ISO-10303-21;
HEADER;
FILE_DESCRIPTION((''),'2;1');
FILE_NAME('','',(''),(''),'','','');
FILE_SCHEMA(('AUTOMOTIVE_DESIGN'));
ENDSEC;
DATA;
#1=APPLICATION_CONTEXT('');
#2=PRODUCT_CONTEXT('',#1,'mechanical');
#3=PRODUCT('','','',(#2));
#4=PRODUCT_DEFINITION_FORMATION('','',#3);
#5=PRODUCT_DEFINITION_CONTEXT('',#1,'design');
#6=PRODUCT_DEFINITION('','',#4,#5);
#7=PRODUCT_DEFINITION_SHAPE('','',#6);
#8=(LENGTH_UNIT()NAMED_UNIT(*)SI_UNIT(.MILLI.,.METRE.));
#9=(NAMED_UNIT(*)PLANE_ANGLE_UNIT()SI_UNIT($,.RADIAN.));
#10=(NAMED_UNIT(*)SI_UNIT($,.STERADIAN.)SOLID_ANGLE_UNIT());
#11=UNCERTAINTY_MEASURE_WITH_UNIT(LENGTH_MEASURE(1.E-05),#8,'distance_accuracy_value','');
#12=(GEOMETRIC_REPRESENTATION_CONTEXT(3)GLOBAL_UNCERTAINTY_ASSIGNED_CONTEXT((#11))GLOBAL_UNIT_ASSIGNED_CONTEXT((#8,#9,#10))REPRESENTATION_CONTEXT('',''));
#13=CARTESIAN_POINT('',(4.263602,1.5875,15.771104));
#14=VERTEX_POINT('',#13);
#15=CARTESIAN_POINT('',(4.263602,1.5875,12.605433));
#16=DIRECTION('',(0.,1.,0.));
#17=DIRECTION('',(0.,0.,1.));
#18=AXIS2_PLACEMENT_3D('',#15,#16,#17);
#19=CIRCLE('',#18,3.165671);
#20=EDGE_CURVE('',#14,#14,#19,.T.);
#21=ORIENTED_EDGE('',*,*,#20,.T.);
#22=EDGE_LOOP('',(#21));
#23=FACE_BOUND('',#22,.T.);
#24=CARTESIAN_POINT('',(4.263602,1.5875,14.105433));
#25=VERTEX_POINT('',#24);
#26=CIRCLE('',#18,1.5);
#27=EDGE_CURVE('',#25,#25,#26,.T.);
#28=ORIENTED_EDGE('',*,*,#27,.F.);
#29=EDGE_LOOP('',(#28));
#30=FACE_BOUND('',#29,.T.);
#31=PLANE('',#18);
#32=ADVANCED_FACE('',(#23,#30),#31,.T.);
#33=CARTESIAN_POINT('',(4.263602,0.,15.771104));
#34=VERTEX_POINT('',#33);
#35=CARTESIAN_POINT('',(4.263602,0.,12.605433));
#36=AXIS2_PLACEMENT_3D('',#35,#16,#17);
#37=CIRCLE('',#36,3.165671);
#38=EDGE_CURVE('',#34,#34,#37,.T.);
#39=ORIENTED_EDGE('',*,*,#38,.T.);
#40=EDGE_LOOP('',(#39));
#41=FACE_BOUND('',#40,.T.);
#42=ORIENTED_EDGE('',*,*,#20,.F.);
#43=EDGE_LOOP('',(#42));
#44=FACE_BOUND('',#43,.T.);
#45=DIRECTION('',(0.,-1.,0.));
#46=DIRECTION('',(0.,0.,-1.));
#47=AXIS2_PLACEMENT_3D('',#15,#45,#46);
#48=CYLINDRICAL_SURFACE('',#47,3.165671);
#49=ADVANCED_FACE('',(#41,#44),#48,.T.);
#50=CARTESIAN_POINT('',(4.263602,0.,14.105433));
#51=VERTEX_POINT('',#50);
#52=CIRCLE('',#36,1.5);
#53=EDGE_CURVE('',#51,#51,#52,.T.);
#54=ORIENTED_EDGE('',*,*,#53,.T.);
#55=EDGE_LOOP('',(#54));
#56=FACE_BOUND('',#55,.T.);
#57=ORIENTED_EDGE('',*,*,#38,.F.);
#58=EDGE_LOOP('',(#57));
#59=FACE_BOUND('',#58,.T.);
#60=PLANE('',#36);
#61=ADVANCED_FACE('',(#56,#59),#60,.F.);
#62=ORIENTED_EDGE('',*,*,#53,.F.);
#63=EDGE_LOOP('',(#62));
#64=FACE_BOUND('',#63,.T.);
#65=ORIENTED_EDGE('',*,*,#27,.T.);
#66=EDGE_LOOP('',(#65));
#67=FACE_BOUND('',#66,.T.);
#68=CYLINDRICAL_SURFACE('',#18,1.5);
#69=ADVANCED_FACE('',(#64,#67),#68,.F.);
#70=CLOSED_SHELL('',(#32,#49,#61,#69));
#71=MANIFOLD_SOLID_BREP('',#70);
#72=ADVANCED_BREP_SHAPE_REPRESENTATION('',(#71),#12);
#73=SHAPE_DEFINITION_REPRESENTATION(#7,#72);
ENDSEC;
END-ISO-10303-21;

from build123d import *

# Parameters (mm, degrees)
SKETCH1_R                    = 3.165671037
M3_NYLON_WASHER_DEPTH        = 1.5875
F_3_0_3_DIAMETER_HOLE1_D     = 3
F_3_0_3_DIAMETER_HOLE1_DEPTH = 25.4
F_3_0_3_DIAMETER_HOLE1_TIP   = 0.901290929


with BuildPart() as part:
    # Sketch1 → M3 nylon washer (new body)
    with BuildSketch(Plane(origin=(0, 0, 0), x_dir=(1, 0, 0), z_dir=(0, 1, 0))):
        with Locations((4.263602365, -12.605433078)):
            Circle(SKETCH1_R)
    extrude(amount=M3_NYLON_WASHER_DEPTH)

    # Ø3.0 (3) Diameter Hole1
    with Locations(Plane(origin=(0, 1.5875, 0), x_dir=(-1, 0, 0), z_dir=(0, 1, 0))):
        with Locations((-4.263602365, 12.605433078)):
            Hole(F_3_0_3_DIAMETER_HOLE1_D / 2, depth=F_3_0_3_DIAMETER_HOLE1_DEPTH)
            with Locations((0, 0, -(F_3_0_3_DIAMETER_HOLE1_DEPTH + F_3_0_3_DIAMETER_HOLE1_TIP / 2))):  # 118° drill point
                Cone(0, F_3_0_3_DIAMETER_HOLE1_D / 2, F_3_0_3_DIAMETER_HOLE1_TIP, mode=Mode.SUBTRACT)


solid = part.part
